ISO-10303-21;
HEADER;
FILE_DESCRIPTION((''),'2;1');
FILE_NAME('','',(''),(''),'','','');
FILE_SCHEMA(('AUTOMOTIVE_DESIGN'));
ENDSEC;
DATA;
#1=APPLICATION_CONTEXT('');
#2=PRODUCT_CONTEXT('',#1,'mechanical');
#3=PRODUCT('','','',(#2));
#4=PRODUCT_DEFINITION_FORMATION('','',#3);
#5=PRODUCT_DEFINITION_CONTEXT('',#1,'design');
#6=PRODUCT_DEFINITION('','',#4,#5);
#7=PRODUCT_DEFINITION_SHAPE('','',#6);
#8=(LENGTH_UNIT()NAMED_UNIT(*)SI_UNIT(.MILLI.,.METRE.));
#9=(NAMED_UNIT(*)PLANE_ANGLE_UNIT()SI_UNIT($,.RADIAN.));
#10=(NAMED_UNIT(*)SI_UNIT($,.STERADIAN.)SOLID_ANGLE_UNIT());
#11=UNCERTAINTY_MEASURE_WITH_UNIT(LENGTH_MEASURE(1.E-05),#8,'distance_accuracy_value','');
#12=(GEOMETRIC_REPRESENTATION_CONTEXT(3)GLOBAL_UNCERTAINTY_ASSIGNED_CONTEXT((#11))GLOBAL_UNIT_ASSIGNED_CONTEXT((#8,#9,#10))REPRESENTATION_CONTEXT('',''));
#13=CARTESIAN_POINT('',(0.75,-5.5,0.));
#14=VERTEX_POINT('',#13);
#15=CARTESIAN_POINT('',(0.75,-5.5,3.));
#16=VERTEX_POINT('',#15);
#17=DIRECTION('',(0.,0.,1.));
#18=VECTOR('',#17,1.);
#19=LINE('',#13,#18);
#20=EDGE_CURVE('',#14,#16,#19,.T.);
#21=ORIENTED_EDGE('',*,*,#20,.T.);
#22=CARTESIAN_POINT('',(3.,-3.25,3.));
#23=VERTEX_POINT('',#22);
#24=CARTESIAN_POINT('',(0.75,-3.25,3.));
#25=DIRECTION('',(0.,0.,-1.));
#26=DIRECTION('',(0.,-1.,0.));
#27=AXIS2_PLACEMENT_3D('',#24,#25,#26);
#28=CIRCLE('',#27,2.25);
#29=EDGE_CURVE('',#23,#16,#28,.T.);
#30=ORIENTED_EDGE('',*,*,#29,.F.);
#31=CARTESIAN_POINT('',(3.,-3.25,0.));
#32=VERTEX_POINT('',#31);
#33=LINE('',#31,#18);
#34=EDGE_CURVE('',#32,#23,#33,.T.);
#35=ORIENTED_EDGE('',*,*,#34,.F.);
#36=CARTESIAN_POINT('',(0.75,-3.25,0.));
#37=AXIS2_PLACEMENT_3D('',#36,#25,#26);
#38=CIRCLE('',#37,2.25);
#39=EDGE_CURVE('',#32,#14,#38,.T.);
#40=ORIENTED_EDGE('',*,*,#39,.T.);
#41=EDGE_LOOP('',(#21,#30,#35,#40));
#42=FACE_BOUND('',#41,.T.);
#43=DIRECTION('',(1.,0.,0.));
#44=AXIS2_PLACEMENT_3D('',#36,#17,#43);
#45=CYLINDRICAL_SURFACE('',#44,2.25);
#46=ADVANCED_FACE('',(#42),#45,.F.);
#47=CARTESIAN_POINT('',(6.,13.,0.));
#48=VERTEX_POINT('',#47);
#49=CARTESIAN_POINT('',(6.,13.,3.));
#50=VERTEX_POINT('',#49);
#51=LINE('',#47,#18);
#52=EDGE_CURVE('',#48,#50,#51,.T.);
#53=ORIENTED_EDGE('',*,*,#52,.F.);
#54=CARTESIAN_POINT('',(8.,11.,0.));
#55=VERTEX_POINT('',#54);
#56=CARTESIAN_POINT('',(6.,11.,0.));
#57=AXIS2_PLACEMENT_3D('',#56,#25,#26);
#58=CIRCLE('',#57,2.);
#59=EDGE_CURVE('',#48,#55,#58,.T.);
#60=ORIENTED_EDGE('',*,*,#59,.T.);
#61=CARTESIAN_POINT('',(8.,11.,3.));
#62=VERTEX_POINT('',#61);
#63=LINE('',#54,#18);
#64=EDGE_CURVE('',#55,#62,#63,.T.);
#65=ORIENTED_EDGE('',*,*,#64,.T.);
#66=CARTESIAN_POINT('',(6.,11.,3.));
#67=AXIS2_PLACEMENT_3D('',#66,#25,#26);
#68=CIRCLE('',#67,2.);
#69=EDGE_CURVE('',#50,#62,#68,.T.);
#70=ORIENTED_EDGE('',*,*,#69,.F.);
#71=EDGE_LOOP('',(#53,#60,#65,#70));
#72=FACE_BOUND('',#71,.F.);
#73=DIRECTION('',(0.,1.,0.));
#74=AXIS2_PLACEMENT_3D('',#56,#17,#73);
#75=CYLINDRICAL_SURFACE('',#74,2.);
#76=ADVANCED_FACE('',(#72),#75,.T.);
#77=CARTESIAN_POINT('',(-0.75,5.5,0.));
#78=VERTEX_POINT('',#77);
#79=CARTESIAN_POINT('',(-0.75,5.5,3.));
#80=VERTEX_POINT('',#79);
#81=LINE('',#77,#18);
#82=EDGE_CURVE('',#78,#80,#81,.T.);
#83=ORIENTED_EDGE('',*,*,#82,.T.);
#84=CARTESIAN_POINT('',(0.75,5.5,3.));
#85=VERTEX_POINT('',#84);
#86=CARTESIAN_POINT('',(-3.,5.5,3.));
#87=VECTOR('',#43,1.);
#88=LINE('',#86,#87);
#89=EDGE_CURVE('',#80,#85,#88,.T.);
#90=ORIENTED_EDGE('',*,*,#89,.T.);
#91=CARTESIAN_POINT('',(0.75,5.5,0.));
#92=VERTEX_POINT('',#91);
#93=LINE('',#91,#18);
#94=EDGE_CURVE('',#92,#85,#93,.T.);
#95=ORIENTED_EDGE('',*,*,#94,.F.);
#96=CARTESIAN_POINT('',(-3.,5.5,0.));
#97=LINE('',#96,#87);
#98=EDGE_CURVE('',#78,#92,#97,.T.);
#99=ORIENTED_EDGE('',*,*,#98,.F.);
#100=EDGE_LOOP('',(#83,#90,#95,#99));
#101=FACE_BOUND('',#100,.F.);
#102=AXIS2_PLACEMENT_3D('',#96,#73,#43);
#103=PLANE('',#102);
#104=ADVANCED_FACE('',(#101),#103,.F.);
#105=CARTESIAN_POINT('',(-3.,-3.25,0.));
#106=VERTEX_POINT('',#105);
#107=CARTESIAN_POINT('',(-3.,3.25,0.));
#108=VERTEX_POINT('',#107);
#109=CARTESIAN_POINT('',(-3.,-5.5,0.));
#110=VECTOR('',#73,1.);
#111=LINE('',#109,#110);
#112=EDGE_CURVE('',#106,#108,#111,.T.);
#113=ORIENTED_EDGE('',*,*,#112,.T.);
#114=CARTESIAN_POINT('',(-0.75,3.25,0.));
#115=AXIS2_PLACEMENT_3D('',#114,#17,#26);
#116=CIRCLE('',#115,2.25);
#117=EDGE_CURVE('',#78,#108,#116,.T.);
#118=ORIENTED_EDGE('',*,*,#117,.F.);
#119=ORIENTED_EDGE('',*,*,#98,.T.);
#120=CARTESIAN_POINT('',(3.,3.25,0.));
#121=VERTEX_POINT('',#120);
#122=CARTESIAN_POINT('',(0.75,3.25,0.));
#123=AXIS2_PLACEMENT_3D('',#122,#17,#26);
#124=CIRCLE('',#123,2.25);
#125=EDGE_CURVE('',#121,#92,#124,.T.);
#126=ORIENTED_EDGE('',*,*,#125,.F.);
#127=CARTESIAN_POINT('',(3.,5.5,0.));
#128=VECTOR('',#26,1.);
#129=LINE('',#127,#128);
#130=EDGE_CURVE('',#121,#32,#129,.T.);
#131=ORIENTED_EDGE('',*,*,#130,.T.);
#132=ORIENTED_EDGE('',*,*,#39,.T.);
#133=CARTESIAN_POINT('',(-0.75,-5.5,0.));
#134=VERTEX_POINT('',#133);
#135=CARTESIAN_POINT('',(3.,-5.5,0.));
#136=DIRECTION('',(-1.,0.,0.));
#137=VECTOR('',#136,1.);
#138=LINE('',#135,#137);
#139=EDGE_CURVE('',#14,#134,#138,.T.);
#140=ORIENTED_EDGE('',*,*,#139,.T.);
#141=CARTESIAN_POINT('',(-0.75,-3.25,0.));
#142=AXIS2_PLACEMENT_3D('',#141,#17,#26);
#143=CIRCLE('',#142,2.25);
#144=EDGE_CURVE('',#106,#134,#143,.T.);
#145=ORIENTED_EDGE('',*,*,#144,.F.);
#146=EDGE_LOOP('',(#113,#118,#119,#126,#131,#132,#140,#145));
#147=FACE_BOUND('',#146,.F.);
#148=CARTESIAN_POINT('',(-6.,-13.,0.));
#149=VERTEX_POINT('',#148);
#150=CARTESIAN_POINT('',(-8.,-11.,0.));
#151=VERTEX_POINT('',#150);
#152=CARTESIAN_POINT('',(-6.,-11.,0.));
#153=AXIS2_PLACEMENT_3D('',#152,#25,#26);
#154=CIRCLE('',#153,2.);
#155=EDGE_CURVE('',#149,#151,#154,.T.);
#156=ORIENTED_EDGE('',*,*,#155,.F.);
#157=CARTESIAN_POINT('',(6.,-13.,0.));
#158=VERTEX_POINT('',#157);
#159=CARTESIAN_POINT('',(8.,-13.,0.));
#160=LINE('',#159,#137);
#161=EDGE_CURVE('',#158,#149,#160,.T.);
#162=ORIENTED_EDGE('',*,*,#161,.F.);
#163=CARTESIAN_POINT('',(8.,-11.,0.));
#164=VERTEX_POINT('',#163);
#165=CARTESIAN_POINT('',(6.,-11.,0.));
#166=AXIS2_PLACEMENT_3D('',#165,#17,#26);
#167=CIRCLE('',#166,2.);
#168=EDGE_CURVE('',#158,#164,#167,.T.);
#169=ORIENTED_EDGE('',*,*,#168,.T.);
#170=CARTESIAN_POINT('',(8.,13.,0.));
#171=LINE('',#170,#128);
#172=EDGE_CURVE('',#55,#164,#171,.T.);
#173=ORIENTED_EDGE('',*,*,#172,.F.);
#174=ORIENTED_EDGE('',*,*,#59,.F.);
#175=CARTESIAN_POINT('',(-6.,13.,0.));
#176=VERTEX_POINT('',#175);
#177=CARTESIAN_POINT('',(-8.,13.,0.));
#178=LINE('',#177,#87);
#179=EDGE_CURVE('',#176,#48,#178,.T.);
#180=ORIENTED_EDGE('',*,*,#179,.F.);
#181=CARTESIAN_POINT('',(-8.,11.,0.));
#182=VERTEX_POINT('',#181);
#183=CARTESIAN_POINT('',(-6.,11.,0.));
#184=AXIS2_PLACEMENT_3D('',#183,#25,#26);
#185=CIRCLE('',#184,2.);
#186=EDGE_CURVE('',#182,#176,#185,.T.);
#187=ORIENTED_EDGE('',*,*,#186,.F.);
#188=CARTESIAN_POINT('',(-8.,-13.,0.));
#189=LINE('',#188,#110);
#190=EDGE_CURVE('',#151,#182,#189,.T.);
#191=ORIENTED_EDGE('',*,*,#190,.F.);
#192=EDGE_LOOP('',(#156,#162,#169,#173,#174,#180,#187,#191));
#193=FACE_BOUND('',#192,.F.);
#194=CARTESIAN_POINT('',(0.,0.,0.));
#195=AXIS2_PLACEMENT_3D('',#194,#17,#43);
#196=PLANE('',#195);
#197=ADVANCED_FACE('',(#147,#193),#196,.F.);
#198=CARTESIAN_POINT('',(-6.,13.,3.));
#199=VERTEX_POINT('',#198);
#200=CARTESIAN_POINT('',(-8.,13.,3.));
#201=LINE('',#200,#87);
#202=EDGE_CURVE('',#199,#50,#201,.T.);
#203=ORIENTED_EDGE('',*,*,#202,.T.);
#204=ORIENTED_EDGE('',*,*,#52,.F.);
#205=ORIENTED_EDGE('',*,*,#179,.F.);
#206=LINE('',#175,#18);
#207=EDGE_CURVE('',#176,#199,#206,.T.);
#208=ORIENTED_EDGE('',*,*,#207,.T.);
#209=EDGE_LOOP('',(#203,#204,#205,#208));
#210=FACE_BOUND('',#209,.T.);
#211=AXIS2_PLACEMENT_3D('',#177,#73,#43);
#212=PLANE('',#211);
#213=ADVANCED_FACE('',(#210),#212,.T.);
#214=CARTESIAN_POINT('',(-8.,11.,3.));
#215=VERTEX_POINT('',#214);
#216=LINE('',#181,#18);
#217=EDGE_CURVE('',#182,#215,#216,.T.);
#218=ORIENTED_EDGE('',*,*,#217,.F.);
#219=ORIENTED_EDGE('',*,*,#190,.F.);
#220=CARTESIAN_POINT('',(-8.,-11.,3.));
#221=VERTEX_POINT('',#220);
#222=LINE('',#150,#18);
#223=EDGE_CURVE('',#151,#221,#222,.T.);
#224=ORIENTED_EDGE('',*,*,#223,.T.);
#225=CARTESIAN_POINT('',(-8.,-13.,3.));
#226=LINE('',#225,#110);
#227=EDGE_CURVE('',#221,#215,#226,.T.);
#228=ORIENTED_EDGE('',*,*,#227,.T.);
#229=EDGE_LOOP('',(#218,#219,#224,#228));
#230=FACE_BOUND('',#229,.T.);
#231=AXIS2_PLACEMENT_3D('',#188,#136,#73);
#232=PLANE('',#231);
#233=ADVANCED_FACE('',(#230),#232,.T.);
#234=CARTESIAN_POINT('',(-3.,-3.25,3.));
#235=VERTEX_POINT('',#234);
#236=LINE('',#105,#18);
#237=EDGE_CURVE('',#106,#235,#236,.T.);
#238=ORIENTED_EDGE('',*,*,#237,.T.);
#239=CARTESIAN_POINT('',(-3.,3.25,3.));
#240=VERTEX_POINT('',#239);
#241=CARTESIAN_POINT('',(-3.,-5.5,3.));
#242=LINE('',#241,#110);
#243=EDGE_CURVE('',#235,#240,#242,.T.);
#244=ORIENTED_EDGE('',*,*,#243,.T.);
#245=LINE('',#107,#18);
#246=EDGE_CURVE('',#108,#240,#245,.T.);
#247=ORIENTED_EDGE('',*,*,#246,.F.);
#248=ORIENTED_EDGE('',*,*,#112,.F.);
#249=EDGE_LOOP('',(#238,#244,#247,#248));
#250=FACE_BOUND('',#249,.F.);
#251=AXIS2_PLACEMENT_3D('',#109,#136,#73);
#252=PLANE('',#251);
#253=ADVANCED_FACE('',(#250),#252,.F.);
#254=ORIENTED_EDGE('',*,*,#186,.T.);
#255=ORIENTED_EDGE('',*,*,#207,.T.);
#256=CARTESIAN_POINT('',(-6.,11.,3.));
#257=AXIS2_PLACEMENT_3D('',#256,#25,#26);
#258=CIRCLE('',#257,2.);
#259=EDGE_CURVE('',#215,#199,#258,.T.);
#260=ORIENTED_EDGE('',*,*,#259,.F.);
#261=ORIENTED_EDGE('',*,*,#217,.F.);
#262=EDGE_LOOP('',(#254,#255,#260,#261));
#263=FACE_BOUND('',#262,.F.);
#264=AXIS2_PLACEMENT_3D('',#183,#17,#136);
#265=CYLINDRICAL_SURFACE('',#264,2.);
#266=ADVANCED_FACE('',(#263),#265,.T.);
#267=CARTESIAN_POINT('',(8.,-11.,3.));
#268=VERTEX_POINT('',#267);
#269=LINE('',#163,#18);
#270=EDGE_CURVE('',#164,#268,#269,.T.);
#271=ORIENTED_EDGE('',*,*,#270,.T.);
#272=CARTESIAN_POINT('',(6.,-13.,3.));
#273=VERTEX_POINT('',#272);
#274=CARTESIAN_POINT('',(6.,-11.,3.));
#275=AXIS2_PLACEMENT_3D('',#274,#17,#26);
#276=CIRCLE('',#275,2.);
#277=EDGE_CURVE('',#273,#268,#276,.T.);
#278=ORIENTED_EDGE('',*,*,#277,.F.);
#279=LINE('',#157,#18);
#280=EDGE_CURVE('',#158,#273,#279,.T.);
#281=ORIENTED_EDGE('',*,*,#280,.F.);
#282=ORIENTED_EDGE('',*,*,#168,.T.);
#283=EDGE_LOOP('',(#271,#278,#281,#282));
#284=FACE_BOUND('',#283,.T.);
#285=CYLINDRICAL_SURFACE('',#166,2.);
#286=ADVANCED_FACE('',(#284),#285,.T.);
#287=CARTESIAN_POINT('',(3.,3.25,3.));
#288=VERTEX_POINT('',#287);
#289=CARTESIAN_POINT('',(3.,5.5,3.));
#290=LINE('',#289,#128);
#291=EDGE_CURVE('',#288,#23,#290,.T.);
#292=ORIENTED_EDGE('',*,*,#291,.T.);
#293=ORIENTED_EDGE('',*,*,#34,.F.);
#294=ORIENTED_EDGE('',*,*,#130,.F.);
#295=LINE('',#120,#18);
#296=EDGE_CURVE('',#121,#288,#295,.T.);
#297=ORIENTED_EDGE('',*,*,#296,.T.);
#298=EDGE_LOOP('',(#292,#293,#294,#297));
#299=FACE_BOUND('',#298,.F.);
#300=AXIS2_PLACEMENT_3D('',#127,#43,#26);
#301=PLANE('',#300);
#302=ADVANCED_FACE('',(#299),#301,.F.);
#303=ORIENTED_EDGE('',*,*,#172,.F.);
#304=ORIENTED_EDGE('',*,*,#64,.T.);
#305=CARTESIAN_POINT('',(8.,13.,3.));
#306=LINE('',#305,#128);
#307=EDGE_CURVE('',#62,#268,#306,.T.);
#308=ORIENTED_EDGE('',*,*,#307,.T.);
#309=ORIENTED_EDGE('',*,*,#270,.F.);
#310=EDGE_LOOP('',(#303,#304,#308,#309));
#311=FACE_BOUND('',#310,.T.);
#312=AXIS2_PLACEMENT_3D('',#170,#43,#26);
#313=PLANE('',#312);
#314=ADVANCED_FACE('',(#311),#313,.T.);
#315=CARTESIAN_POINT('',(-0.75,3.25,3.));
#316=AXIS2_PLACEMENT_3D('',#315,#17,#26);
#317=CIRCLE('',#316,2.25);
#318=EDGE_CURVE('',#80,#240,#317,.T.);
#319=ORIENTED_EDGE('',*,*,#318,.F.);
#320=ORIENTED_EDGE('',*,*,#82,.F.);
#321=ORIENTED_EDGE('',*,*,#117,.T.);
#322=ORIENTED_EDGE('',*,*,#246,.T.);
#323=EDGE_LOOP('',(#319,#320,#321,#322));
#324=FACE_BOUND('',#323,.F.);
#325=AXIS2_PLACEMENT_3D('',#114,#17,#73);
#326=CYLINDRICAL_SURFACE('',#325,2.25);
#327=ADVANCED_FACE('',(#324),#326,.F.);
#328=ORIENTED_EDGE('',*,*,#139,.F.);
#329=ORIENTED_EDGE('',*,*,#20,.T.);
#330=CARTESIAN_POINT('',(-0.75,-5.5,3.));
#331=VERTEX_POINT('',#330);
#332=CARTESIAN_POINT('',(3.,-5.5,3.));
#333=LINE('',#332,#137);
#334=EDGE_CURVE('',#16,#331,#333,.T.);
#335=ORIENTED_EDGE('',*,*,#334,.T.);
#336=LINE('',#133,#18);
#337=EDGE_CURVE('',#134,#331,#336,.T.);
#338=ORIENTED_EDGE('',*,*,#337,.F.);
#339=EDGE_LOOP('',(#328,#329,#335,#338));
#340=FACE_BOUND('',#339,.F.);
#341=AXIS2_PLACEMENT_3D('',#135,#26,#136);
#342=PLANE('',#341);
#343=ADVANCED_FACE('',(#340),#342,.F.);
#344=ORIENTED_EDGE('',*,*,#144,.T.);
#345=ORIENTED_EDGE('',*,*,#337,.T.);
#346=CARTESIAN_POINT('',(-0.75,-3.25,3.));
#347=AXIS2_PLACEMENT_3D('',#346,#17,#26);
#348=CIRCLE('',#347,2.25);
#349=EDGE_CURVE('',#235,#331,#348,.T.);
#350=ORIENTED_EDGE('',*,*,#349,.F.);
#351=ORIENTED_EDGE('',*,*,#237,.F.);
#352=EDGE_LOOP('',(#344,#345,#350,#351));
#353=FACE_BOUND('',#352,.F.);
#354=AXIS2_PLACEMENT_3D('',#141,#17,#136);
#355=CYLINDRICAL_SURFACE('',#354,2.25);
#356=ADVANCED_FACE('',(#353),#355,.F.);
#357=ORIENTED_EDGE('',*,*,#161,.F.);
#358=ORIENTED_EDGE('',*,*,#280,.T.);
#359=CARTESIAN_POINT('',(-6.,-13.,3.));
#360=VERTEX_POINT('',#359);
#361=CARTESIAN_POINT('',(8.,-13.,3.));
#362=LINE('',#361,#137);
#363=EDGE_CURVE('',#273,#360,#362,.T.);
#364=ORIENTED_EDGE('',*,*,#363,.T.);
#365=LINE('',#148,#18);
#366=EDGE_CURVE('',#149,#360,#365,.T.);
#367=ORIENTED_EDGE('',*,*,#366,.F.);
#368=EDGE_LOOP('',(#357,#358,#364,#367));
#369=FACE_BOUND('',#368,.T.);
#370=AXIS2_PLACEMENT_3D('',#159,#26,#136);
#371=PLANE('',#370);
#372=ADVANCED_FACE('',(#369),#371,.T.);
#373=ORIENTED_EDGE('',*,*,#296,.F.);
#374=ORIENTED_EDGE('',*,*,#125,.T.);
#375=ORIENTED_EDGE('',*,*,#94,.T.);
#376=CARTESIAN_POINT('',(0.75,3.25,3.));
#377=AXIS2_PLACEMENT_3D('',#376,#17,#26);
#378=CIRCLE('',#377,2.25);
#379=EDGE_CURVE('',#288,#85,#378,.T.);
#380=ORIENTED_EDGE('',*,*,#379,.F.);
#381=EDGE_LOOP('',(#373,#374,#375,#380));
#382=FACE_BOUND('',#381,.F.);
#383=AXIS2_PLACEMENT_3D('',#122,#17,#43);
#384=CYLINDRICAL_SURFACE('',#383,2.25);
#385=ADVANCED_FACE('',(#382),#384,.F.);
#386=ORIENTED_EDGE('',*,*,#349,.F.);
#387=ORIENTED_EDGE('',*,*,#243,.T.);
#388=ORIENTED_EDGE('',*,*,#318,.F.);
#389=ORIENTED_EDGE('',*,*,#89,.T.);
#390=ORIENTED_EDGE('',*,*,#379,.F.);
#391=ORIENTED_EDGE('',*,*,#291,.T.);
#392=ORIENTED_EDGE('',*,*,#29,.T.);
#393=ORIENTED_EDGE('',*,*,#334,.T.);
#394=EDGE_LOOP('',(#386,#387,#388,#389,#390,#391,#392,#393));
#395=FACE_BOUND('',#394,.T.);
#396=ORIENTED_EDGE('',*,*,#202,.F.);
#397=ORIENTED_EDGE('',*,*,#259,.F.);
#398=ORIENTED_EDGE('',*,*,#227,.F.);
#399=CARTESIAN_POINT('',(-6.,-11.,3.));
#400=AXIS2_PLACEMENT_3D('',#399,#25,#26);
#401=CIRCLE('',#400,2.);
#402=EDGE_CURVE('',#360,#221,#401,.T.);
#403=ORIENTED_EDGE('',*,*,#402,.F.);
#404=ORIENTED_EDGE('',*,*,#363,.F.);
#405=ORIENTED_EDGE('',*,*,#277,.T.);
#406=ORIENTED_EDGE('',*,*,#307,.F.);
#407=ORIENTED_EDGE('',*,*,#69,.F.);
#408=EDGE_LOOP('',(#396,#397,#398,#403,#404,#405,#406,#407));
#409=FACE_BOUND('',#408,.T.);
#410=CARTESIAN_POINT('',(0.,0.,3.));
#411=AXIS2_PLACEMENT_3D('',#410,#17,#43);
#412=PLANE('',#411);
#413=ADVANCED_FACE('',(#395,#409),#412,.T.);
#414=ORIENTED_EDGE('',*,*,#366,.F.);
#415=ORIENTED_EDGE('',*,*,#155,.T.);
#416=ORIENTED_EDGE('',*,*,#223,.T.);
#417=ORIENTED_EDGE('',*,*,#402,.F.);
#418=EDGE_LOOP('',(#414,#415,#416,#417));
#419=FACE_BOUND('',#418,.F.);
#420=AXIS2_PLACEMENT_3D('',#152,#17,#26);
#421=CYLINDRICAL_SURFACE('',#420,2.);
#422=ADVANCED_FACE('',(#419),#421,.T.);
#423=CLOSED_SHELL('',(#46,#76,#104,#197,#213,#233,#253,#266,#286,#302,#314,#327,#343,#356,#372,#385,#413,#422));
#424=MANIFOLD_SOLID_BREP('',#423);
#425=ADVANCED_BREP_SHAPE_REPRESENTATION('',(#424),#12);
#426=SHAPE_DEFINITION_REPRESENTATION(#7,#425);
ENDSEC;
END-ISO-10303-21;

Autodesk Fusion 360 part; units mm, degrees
sketch "Sketch2" plane through (0, 0, 0) normal (0, 0, 1) x (1, 0, 0)
  line L0 (8, -13) -> (-8, -13)
  line L1 (-8, -13) -> (-8, 13)
  line L2 (-8, 13) -> (8, 13)
  line L3 (8, 13) -> (8, -13)
  line L4 (8, -13) -> (-8, 13) construction
  line L5 (-8, -13) -> (8, 13) construction
  line L6 (3, -5.5) -> (-3, -5.5)
  line L7 (-3, -5.5) -> (-3, 5.5)
  line L8 (-3, 5.5) -> (3, 5.5)
  line L9 (3, 5.5) -> (3, -5.5)
  line L10 (3, -5.5) -> (-3, 5.5) construction
  line L11 (-3, -5.5) -> (3, 5.5) construction
  dimension "d23" = 16
  dimension "d24" = 26
  dimension "d25" = 6
  dimension "d26" = 11
extrude "Extrude2" add sketch "Sketch2" along normal blind 3
fillet "Fillet6" radius 2 4 edges at (8, 13, 1.5) (-8, 13, 1.5) (-8, -13, 1.5) (8, -13, 1.5)
fillet "Fillet7" radius 2.25 4 edges at (-3, 5.5, 1.5) (3, 5.5, 1.5) (3, -5.5, 1.5) (-3, -5.5, 1.5)
extrude "Extrude1" [suppressed]
fillet "Fillet1" [suppressed]
fillet "Fillet2" [suppressed]
fillet "Fillet3" [suppressed]
fillet "Fillet4" [suppressed]
fillet "Fillet5" [suppressed]
